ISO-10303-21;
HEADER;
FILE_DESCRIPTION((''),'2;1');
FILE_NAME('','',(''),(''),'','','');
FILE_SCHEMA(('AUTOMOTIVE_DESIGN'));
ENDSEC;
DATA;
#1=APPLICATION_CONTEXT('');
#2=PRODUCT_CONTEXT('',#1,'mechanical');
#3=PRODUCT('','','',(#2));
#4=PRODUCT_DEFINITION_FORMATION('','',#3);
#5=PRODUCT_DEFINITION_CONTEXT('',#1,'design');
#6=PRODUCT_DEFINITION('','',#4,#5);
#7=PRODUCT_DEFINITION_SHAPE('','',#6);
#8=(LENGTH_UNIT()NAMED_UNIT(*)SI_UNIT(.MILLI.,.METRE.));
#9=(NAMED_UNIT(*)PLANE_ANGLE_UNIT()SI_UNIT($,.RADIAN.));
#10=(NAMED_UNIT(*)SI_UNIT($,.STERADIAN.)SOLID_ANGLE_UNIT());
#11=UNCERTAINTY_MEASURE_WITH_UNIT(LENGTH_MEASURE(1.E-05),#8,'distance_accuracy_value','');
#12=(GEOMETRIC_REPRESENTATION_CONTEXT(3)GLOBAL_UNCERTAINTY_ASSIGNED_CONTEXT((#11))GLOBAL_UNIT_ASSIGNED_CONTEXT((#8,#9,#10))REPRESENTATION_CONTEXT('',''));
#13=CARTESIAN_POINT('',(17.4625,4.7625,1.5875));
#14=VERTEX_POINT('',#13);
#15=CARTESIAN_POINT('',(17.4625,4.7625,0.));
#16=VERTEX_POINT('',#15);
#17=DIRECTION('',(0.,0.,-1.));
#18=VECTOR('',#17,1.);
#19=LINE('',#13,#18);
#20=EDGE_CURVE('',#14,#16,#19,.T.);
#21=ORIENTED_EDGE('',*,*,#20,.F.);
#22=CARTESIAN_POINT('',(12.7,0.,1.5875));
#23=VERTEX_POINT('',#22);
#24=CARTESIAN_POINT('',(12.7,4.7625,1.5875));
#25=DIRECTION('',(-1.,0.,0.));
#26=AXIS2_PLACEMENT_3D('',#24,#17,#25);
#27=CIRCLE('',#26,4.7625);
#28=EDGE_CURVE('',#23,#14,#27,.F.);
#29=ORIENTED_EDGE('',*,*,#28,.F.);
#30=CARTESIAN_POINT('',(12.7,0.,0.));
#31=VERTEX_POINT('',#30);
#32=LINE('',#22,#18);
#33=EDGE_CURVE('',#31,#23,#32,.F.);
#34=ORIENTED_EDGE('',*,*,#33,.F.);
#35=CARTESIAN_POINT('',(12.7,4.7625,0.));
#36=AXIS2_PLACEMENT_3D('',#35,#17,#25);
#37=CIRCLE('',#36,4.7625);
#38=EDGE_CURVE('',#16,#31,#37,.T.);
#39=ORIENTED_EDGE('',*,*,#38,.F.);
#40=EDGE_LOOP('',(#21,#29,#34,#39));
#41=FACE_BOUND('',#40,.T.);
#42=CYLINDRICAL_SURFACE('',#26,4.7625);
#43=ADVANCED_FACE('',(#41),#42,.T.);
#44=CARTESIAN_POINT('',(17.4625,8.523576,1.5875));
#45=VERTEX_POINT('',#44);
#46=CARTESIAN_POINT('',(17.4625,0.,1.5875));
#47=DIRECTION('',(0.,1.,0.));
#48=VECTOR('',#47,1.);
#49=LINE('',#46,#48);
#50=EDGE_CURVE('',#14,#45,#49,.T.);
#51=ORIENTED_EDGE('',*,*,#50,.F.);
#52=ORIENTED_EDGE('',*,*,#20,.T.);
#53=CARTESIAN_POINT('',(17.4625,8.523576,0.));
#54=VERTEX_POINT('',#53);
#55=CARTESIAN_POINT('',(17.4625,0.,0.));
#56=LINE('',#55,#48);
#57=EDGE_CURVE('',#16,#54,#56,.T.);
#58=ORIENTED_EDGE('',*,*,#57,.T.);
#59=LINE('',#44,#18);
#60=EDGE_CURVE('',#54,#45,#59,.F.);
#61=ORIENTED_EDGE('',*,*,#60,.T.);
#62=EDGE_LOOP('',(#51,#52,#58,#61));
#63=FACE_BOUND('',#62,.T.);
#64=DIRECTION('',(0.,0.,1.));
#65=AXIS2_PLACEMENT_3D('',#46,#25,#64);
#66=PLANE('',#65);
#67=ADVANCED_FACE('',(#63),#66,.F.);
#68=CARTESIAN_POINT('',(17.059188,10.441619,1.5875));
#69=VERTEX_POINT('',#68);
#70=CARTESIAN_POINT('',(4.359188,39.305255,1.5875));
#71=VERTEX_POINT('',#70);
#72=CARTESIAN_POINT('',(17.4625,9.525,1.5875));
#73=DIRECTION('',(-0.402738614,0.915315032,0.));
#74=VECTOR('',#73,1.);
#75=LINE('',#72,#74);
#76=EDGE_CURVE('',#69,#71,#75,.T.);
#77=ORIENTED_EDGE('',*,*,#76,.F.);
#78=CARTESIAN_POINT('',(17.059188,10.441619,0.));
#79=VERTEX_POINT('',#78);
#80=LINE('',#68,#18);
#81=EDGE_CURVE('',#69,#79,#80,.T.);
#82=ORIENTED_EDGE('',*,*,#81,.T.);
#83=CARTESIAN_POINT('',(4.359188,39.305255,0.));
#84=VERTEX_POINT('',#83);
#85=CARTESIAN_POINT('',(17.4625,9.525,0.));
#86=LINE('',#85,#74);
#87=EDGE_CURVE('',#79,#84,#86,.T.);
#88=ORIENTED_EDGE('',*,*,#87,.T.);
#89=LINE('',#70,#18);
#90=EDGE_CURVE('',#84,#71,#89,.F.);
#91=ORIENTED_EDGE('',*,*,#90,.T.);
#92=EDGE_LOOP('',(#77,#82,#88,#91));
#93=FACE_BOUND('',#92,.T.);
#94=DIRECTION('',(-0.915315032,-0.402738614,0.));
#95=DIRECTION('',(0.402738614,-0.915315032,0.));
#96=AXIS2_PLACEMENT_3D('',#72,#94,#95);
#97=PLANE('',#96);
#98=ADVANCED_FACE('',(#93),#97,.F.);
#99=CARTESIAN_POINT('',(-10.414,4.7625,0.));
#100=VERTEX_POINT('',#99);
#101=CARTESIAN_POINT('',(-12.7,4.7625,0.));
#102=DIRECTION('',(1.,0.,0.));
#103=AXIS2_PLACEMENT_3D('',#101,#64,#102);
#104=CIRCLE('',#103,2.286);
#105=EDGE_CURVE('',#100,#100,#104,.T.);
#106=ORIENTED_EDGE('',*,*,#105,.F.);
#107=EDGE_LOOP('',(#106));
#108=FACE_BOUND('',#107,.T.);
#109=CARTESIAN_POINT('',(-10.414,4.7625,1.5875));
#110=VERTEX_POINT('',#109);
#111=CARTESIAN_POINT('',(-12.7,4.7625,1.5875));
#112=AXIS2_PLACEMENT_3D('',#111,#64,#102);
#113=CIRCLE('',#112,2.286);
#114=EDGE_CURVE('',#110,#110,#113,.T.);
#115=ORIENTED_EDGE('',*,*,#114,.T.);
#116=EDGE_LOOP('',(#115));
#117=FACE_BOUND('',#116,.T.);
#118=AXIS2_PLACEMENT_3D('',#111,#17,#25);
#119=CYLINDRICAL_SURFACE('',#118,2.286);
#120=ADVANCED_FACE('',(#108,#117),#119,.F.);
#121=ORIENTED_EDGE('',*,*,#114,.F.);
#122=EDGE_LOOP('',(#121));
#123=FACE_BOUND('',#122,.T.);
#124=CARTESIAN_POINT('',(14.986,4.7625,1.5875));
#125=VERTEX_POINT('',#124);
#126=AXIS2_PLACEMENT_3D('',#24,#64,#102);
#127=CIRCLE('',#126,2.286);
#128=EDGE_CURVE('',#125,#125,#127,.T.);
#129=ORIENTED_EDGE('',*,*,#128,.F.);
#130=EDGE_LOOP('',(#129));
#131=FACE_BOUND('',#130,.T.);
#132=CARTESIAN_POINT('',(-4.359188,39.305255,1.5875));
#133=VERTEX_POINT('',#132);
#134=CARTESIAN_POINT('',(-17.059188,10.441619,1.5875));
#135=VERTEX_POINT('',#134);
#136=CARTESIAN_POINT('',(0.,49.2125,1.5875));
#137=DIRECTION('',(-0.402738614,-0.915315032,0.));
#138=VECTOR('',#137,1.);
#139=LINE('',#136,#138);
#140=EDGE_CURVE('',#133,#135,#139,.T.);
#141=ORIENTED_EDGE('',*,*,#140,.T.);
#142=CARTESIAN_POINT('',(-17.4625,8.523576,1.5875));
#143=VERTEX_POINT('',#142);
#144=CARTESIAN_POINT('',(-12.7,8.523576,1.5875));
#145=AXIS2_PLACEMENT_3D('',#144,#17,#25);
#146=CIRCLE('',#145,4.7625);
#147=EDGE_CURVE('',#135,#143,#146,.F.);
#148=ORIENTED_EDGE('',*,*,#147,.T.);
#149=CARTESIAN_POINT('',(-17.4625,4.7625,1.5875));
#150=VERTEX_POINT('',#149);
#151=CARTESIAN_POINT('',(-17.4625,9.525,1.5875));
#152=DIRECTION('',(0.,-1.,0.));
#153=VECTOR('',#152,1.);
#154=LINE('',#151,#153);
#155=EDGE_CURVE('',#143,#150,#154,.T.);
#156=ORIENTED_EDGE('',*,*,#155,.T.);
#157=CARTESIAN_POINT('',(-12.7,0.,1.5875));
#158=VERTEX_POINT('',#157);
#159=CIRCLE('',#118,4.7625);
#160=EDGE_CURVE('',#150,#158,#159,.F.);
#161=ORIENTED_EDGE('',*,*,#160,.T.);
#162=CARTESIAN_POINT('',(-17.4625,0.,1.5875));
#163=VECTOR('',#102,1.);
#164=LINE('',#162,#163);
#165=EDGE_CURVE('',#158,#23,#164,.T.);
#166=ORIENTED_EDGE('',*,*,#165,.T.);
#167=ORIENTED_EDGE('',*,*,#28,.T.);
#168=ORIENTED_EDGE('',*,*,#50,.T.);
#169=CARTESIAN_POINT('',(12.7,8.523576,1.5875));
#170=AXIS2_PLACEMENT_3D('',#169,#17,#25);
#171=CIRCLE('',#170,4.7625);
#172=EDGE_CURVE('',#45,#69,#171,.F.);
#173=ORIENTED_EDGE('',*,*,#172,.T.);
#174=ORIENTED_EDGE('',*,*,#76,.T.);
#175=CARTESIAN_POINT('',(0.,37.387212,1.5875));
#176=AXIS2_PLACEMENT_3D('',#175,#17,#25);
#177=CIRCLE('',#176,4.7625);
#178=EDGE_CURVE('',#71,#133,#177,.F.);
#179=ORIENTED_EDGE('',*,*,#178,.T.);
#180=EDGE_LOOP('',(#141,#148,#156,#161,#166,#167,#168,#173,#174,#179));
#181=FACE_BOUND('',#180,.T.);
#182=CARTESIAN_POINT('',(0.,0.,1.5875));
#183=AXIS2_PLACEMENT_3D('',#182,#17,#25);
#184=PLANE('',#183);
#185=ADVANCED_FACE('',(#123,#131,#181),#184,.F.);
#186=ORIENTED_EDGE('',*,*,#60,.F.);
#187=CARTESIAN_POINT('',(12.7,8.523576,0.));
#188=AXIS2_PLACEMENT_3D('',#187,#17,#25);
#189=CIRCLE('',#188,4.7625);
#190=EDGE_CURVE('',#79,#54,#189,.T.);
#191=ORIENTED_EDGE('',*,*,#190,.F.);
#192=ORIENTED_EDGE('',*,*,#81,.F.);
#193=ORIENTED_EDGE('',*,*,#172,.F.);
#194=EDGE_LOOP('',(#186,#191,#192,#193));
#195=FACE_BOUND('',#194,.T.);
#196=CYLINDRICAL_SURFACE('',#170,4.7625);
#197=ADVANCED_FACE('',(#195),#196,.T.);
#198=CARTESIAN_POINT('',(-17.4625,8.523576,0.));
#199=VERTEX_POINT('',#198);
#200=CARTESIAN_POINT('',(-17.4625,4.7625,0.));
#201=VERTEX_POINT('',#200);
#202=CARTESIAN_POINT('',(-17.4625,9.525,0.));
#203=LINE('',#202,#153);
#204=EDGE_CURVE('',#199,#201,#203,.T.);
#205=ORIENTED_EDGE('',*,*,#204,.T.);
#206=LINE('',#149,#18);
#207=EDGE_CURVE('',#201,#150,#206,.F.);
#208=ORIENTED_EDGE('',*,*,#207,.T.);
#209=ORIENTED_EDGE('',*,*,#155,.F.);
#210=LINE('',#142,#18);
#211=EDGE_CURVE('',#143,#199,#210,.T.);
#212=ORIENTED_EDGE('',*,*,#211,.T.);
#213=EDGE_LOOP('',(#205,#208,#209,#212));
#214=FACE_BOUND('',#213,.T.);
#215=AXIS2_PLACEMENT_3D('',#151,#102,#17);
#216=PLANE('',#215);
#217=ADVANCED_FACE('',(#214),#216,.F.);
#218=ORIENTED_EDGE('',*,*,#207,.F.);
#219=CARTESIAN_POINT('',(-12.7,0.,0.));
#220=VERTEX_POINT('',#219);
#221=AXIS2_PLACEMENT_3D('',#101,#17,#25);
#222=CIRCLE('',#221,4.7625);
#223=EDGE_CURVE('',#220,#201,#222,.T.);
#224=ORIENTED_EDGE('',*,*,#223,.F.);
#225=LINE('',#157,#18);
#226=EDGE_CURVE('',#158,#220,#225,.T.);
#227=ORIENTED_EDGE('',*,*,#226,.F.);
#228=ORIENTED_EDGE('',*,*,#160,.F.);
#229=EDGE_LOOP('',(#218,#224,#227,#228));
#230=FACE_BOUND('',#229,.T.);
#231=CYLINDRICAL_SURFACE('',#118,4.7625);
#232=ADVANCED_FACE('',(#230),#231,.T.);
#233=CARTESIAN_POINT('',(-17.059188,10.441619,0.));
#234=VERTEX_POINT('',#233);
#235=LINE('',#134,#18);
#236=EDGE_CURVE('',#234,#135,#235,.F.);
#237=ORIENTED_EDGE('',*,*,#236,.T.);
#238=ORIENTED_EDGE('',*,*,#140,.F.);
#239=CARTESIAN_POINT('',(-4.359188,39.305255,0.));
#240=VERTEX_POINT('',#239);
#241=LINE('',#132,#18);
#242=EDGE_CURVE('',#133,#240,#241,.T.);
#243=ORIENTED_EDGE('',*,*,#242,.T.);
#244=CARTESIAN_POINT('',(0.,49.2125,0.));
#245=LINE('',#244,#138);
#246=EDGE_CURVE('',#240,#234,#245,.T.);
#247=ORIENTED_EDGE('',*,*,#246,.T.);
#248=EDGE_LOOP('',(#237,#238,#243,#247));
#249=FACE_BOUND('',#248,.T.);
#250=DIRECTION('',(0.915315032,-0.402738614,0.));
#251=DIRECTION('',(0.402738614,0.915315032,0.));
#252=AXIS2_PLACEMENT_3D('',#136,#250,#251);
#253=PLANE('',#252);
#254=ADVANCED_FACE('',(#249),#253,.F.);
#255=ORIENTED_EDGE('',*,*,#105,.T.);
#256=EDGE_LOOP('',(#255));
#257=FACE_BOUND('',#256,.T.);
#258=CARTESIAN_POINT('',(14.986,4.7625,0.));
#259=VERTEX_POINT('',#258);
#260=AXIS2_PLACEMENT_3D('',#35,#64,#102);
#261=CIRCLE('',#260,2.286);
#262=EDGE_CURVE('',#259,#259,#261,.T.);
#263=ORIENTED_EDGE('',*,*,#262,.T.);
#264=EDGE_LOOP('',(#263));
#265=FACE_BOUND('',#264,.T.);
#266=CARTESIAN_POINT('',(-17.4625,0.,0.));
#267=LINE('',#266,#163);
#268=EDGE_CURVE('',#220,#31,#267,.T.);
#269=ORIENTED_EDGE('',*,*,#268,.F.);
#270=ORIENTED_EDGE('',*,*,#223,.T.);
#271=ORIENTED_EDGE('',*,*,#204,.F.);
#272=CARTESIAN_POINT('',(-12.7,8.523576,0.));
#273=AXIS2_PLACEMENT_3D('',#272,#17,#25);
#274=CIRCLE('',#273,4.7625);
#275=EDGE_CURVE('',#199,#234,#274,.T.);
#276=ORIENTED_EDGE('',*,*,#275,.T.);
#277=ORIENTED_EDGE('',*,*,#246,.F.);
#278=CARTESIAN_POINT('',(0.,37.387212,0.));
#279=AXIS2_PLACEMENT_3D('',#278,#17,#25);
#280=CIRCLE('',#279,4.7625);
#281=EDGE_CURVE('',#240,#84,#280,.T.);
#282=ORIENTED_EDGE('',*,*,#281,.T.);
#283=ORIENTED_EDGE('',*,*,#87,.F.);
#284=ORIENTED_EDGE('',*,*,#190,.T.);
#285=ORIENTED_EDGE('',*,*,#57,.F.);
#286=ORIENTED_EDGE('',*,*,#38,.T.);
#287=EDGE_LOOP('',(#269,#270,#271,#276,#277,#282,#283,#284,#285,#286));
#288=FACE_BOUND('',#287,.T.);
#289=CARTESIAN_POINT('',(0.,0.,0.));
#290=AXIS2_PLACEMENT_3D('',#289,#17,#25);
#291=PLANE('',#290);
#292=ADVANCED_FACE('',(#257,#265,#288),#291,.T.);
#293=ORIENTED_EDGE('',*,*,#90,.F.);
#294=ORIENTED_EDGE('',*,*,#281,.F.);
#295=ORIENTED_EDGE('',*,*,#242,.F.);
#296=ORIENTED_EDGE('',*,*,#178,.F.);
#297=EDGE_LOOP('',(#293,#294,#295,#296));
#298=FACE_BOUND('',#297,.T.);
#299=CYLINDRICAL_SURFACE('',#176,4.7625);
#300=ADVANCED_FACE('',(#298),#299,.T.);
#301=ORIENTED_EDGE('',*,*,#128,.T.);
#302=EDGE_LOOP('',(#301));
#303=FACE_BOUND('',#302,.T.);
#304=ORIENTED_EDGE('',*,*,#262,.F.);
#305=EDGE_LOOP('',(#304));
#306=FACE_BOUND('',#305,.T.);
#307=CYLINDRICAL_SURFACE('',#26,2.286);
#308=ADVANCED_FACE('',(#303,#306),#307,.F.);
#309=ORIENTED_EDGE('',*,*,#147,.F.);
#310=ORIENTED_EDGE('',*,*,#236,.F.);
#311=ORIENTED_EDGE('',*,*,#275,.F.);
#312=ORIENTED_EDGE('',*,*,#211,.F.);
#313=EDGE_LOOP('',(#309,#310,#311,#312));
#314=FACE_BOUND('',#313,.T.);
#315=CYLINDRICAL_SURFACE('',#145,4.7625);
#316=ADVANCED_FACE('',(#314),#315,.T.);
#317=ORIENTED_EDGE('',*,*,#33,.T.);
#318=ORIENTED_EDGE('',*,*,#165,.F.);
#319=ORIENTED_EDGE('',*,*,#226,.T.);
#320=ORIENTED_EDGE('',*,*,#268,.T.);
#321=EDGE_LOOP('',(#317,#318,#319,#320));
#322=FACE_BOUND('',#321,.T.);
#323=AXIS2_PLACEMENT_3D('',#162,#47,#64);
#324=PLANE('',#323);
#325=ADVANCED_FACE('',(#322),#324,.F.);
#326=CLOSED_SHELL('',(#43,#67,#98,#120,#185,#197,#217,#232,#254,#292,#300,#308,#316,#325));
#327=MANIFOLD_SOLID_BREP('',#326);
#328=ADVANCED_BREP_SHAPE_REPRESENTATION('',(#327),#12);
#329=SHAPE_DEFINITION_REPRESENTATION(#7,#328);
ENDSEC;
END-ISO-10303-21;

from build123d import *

# Parameters (mm, degrees)
SKETCH1_R           = 2.286
BOSS_EXTRUDE1_DEPTH = 1.5875
FILLET1_R           = 4.7625


with BuildPart() as part:
    # Sketch1 → Boss-Extrude1 (new body)
    with BuildSketch(Plane.XY):
        Polygon((-17.4625, 0), (17.4625, 0), (17.4625, 9.525), (0, 49.2125), (-17.4625, 9.525), align=None)
        with Locations((-12.7, 4.7625)):
            Circle(SKETCH1_R, mode=Mode.SUBTRACT)
        with Locations((12.7, 4.7625)):
            Circle(SKETCH1_R, mode=Mode.SUBTRACT)
    extrude(amount=BOSS_EXTRUDE1_DEPTH)

    # Fillet1
    fillet1_edges = [part.edges().sort_by_distance(p)[0] for p in [
        (17.4625, 0, 0.79375),
        (-17.4625, 0, 0.79375),
        (-17.4625, 9.525, 0.79375),
        (0, 49.2125, 0.79375),
        (17.4625, 9.525, 0.79375),
    ]]
    fillet(fillet1_edges, radius=FILLET1_R)


solid = part.part
